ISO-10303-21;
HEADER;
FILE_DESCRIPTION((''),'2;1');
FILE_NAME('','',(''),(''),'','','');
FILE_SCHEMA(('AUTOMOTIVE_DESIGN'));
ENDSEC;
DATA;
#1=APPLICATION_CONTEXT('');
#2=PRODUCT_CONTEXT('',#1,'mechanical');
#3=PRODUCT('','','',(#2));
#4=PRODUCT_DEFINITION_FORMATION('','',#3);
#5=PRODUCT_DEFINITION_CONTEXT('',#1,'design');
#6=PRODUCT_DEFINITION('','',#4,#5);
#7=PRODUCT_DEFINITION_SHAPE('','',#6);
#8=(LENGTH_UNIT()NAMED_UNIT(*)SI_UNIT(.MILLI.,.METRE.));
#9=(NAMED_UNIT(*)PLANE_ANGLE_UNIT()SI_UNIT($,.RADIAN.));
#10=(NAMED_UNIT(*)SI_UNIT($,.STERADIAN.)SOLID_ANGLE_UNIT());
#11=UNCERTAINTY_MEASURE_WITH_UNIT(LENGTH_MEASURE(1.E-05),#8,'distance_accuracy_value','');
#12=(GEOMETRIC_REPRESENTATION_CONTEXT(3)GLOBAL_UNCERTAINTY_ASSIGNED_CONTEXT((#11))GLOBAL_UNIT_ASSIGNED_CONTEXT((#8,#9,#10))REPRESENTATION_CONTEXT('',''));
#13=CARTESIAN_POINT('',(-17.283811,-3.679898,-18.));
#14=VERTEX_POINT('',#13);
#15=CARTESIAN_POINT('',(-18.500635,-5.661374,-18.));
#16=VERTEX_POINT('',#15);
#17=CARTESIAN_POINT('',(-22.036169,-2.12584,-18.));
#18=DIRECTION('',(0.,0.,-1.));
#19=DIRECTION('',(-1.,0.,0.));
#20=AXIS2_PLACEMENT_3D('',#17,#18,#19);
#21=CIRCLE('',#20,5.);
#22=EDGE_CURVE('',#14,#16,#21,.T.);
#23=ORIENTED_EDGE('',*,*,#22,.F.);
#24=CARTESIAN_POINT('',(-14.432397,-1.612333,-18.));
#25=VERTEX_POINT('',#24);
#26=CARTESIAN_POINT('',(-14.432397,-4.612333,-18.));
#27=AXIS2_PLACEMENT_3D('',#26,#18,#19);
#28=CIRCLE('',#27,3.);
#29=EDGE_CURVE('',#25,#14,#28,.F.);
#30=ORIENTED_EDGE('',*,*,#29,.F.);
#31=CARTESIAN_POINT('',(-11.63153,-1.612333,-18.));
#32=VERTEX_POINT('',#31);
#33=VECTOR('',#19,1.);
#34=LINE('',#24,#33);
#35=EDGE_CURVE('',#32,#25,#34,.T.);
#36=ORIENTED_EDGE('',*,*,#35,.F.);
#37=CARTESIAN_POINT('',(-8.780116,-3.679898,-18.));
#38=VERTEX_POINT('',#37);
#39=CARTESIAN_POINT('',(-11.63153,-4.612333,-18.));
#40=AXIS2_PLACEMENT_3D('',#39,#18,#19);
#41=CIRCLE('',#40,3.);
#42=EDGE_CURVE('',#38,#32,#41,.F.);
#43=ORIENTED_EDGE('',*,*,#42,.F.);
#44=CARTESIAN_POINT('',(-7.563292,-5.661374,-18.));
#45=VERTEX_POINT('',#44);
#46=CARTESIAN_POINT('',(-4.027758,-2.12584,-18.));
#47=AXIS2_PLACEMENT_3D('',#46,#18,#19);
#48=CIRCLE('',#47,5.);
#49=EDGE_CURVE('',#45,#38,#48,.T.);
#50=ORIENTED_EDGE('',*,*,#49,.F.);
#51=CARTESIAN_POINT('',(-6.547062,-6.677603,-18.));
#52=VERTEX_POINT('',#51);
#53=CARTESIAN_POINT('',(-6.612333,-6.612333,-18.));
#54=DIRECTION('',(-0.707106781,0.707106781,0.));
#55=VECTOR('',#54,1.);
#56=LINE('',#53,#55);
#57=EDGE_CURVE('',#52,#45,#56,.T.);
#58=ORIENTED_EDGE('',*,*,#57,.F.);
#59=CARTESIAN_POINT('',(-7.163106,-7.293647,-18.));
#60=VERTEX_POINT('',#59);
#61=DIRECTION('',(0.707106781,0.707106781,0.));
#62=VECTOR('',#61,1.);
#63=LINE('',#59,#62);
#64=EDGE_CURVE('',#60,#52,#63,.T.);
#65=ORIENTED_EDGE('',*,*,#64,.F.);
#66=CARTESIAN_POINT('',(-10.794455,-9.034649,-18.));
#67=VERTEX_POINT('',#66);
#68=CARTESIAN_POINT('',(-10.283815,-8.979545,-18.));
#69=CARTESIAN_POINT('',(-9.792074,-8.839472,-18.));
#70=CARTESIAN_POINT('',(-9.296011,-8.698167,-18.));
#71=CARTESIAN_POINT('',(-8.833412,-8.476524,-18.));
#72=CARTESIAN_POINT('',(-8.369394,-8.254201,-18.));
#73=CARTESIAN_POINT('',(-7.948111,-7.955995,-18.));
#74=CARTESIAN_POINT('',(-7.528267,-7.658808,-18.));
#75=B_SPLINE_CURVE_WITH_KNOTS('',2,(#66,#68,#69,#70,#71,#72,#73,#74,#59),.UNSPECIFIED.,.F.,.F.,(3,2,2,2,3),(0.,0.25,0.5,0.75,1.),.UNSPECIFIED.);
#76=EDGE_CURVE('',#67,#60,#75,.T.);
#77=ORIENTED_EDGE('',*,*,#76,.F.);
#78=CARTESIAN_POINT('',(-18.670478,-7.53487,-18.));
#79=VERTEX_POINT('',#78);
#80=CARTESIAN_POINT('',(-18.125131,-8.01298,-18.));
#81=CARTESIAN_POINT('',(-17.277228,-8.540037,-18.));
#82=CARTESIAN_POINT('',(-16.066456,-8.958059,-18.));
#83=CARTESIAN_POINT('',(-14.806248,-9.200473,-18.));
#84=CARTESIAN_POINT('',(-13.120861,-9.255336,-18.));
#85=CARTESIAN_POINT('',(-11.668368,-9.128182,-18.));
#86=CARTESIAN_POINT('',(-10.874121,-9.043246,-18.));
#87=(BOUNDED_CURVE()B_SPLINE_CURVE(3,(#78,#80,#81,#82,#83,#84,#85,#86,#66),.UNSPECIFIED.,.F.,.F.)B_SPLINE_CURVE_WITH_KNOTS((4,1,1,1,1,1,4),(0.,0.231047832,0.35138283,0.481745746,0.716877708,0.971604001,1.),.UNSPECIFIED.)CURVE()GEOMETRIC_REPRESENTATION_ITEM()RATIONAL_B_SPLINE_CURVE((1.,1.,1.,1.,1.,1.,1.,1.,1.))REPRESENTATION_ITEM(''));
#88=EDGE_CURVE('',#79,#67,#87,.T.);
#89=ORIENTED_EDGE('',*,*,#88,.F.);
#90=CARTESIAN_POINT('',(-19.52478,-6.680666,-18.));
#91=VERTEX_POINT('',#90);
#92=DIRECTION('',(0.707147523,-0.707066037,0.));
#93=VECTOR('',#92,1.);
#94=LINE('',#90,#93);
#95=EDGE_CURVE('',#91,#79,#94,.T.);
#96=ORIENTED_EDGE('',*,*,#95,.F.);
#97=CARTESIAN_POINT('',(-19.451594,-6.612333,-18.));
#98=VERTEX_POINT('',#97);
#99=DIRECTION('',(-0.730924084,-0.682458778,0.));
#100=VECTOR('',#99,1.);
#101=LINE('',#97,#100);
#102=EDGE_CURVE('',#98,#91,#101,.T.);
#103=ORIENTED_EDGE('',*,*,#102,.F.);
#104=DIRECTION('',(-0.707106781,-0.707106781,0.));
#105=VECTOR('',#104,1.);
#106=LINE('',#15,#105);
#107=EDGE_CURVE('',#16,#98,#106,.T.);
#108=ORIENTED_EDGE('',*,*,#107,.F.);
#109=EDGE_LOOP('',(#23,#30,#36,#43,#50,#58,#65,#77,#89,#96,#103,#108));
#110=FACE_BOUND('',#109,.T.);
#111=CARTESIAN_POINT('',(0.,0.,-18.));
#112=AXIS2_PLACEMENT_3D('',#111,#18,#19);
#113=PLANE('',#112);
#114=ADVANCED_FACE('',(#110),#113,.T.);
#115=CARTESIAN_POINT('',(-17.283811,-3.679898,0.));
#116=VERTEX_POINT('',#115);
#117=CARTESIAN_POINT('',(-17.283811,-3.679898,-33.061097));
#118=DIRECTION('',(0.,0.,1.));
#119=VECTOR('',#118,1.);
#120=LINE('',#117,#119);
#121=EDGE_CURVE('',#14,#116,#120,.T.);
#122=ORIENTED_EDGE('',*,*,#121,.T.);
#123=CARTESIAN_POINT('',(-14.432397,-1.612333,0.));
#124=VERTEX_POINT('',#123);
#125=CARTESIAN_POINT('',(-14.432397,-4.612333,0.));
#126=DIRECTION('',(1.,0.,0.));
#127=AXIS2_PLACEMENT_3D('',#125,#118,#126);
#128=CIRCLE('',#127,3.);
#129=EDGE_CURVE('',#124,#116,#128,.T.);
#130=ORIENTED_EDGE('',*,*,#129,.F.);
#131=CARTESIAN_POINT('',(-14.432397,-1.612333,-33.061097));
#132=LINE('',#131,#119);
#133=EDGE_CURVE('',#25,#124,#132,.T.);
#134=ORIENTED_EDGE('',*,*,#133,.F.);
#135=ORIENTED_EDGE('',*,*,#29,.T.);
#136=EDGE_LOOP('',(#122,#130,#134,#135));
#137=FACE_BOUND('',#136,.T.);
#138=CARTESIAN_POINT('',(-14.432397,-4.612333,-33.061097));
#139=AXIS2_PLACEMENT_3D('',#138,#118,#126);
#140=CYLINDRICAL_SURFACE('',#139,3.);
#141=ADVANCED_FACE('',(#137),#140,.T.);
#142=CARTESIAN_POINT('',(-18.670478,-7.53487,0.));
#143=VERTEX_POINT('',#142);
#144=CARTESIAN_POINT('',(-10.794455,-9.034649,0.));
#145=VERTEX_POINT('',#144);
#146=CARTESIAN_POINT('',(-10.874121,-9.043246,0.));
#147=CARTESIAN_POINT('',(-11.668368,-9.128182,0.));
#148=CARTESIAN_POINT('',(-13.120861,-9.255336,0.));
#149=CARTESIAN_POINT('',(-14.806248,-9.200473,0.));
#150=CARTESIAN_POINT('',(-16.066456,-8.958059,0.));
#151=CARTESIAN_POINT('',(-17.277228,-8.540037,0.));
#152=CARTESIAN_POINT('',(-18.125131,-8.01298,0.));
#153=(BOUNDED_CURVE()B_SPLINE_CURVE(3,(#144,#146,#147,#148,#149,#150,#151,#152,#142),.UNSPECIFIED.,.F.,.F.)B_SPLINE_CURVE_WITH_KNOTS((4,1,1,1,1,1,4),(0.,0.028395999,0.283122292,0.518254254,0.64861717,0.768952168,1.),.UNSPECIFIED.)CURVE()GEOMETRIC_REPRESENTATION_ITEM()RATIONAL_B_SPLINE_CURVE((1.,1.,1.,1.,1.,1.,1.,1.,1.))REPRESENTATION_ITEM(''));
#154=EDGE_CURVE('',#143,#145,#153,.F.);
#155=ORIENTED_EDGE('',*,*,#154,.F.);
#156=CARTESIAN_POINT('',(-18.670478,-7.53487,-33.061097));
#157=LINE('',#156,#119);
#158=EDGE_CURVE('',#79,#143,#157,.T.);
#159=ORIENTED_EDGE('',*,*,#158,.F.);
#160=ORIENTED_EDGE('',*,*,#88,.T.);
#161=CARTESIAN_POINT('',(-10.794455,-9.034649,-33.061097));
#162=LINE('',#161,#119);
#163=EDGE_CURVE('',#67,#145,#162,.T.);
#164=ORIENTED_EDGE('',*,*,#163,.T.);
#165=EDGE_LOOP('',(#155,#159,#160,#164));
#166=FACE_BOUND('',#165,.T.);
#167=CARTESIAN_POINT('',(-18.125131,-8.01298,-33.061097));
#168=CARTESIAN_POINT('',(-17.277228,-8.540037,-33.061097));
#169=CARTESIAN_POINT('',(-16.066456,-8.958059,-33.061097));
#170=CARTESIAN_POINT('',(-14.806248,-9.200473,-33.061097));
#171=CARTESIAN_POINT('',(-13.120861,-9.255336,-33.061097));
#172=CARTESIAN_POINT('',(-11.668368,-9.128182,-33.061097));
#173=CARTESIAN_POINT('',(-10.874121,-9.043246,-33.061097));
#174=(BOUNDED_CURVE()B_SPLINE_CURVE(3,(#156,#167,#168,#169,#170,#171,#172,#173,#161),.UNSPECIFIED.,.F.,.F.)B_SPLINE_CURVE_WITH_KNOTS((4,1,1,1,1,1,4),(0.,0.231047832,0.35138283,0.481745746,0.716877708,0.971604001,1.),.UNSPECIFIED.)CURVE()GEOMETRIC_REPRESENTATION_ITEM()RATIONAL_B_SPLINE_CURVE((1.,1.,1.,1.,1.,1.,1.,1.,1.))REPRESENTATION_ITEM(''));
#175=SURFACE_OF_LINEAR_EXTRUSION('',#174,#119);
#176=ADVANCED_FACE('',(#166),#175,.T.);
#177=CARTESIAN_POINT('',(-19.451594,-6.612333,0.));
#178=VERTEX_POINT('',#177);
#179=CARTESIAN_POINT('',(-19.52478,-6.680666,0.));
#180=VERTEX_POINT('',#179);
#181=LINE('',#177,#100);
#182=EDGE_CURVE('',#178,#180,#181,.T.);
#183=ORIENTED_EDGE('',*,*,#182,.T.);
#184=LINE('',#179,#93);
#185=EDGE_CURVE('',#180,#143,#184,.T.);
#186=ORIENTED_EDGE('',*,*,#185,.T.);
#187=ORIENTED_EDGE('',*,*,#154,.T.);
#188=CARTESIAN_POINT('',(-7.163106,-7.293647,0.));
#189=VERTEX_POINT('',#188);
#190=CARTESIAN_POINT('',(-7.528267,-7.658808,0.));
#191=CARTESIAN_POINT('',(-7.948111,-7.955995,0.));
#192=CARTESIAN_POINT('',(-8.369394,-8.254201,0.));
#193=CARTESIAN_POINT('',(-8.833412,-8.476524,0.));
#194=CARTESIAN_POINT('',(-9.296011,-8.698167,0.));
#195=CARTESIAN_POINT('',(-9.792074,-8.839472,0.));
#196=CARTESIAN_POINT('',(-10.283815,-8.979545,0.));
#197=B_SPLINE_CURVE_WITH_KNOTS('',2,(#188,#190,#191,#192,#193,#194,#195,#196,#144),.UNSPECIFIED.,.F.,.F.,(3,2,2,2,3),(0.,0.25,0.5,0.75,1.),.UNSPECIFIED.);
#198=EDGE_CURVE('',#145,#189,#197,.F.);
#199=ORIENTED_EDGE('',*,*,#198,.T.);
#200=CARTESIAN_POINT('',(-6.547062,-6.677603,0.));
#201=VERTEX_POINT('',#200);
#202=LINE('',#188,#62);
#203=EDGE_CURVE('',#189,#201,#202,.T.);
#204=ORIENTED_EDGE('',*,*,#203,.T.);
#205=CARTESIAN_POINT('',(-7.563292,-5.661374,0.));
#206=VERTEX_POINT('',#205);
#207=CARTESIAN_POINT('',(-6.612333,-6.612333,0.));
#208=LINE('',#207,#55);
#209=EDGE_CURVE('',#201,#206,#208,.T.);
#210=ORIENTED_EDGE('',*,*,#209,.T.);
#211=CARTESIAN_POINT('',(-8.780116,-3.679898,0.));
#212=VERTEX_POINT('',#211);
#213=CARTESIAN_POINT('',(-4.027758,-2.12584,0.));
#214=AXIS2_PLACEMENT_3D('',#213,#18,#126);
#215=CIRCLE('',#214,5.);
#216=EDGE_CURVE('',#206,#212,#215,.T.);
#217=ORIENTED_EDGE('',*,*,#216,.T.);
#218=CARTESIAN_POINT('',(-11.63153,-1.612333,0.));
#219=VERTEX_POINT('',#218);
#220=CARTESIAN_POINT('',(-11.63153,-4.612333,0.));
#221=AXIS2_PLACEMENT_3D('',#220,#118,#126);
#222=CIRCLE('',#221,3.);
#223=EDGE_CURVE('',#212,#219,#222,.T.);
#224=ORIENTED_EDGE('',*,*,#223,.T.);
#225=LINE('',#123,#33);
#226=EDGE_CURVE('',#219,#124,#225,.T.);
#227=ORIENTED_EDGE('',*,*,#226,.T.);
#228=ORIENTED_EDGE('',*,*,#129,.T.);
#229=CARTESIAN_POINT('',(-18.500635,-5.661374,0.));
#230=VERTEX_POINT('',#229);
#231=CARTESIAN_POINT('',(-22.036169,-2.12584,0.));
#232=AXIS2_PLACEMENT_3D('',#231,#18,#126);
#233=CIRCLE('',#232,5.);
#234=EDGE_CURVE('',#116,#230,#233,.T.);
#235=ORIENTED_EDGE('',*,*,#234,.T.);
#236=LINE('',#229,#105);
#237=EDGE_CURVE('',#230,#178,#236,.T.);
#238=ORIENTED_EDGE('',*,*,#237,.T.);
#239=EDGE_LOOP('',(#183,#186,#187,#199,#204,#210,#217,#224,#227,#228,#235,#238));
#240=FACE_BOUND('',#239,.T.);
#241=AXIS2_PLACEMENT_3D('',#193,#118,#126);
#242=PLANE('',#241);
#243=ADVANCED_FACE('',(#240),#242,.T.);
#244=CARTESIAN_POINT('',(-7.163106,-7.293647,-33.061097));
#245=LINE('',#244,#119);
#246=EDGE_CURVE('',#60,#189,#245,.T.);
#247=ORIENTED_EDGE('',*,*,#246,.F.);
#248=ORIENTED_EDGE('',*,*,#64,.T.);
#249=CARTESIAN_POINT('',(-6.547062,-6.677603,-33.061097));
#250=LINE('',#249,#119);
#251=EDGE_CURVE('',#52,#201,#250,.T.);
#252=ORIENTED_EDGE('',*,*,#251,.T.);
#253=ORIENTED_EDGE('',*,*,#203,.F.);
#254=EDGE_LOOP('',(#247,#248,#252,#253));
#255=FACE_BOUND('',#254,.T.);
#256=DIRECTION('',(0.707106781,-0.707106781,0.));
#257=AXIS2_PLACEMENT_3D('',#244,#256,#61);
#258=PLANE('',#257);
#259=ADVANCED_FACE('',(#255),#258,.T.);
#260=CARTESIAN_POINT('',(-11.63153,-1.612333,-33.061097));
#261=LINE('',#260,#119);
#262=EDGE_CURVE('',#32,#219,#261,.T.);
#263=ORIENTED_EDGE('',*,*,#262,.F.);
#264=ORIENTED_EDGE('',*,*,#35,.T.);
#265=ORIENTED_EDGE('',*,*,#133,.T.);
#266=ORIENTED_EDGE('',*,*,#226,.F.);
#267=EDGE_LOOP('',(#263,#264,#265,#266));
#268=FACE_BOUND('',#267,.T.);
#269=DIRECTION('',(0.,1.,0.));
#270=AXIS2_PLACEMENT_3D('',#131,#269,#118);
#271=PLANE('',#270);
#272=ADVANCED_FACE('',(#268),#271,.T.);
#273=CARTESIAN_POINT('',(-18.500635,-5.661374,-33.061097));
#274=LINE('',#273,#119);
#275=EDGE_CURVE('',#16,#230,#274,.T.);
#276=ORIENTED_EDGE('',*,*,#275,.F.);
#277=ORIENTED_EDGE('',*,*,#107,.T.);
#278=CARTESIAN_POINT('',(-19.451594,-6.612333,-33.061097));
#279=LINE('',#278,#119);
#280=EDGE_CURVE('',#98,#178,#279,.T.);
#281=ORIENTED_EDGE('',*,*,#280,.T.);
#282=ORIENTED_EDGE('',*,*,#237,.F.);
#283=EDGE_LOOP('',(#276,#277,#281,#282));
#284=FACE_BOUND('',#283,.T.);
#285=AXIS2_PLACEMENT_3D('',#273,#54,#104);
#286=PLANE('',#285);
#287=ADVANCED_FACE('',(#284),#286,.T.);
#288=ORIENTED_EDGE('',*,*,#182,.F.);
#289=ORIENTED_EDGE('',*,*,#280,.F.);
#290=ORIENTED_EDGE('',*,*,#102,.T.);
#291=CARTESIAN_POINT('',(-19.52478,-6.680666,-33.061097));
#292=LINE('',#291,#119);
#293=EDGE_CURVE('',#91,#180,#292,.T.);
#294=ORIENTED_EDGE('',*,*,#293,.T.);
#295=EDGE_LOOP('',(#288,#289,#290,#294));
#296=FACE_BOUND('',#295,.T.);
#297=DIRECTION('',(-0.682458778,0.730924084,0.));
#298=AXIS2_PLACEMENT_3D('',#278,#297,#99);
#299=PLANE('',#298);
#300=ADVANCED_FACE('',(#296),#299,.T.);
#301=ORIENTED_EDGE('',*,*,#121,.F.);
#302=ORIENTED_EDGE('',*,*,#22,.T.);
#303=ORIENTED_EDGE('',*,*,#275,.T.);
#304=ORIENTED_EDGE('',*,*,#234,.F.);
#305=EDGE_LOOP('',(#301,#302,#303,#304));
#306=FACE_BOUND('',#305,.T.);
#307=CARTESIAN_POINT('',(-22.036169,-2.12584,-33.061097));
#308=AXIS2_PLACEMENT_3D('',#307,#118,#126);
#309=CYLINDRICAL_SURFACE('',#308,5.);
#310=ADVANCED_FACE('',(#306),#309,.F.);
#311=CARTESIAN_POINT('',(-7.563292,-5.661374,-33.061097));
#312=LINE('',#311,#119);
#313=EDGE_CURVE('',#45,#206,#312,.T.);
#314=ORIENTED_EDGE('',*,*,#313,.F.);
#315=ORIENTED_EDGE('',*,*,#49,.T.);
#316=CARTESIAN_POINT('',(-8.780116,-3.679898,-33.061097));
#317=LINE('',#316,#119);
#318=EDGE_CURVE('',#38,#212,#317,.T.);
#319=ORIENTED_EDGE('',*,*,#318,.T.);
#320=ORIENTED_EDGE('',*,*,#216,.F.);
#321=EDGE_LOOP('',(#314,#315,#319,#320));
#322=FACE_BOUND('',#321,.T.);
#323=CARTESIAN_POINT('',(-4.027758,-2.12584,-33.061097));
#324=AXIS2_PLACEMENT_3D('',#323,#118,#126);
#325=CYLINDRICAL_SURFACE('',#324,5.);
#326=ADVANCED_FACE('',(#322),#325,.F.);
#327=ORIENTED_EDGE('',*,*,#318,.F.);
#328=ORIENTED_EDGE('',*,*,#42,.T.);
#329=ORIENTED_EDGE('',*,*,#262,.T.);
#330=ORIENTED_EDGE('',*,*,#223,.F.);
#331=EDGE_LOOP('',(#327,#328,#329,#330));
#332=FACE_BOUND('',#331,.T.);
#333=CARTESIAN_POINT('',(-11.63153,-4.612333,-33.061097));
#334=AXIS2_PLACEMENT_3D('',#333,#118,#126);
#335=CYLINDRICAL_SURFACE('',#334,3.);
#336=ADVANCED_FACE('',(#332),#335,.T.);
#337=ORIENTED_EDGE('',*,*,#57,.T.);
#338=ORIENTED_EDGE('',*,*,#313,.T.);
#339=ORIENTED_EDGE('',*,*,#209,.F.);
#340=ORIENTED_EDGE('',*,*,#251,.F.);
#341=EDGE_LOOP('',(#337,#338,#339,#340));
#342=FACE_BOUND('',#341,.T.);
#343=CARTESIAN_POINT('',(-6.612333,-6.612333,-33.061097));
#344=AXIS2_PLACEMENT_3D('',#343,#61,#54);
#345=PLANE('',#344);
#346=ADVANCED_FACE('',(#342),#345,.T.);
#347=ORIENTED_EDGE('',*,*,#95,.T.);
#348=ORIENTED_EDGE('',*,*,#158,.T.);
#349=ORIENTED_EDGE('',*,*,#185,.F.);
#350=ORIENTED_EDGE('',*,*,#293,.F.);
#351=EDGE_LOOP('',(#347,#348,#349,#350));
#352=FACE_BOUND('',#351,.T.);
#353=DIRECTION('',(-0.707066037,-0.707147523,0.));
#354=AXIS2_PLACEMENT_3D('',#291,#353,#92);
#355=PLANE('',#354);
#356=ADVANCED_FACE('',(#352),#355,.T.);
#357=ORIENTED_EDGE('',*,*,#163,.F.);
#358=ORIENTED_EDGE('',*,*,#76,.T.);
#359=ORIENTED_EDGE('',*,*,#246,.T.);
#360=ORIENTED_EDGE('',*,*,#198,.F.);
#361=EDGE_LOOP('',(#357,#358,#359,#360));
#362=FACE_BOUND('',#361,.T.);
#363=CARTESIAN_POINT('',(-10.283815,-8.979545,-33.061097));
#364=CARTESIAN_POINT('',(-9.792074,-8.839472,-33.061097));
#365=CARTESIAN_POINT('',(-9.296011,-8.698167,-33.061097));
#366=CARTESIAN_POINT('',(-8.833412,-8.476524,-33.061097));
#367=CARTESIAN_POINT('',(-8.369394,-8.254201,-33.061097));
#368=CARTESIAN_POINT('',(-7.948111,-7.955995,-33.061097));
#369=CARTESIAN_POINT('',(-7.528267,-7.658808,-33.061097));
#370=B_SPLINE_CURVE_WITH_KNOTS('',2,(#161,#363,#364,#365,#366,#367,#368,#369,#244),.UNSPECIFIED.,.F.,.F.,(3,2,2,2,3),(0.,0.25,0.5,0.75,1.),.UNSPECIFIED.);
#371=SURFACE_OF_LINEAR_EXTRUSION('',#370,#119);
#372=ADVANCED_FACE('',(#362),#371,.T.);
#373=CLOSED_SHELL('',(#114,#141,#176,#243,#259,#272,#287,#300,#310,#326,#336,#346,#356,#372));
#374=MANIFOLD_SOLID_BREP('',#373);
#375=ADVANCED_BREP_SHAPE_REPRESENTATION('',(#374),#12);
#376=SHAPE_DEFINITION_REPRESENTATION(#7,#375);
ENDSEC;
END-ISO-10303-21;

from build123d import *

# Parameters (mm, degrees)
BOSS_EXTRUDE1_DEPTH = 18


with BuildPart() as part:
    # Sketch1 → Boss-Extrude1 (new body)
    with BuildSketch(Plane.XY):
        with BuildLine():
            Line((-7.163105934, -7.293646663), (-6.547062338, -6.677603067))
            Line((-6.547062338, -6.677603067), (-6.612332703, -6.612332703))
            Line((-6.612332703, -6.612332703), (-7.563291756, -5.661373649))
            ThreePointArc((-7.563291756, -5.661373649), (-8.288491154, -4.742354928), (-8.78011552, -3.679897843))
            ThreePointArc((-8.78011552, -3.679897843), (-9.870465754, -2.18361858), (-11.631530122, -1.612332703))
            Line((-11.631530122, -1.612332703), (-14.432396648, -1.612332703))
            ThreePointArc((-14.432396648, -1.612332703), (-16.193461017, -2.18361858), (-17.28381125, -3.679897843))
            ThreePointArc((-17.28381125, -3.679897843), (-17.775435616, -4.742354928), (-18.500635014, -5.661373649))
            Line((-18.500635014, -5.661373649), (-19.451594068, -6.612332703))
            Line((-19.451594068, -6.612332703), (-19.524780345, -6.680666225))
            Line((-19.524780345, -6.680666225), (-18.670477775, -7.534870352))
            add(Edge.make_bspline(
                [(-18.670477775, -7.534870352), (-18.125131144, -8.012979969), (-17.277228248, -8.540037204), (-16.066456083, -8.958058574), (-14.806247878, -9.200473351), (-13.120861063, -9.255335571), (-11.668367706, -9.128182371), (-10.874120868, -9.043245859), (-10.794454533, -9.034648972)],
                knots=[0, 0, 0, 0, 0.231047832, 0.35138283, 0.481745746, 0.716877708, 0.971604001, 1, 1, 1, 1], degree=3, weights=[1, 1, 1, 1, 1, 1, 1, 1, 1]))
            add(Edge.make_bspline(
                [(-7.163105934, -7.293646663), (-7.528267353, -7.658808082), (-7.948111458, -7.955995317), (-8.369394277, -8.254200947), (-8.833411811, -8.476523795), (-9.296011092, -8.69816712), (-9.792074347, -8.839471582), (-10.28381467, -8.979544649), (-10.794454533, -9.034648972)],
                knots=[0, 0, 0, 0.25, 0.25, 0.5, 0.5, 0.75, 0.75, 1, 1, 1], degree=2))
        make_face()
    extrude(amount=-BOSS_EXTRUDE1_DEPTH)


solid = part.part
